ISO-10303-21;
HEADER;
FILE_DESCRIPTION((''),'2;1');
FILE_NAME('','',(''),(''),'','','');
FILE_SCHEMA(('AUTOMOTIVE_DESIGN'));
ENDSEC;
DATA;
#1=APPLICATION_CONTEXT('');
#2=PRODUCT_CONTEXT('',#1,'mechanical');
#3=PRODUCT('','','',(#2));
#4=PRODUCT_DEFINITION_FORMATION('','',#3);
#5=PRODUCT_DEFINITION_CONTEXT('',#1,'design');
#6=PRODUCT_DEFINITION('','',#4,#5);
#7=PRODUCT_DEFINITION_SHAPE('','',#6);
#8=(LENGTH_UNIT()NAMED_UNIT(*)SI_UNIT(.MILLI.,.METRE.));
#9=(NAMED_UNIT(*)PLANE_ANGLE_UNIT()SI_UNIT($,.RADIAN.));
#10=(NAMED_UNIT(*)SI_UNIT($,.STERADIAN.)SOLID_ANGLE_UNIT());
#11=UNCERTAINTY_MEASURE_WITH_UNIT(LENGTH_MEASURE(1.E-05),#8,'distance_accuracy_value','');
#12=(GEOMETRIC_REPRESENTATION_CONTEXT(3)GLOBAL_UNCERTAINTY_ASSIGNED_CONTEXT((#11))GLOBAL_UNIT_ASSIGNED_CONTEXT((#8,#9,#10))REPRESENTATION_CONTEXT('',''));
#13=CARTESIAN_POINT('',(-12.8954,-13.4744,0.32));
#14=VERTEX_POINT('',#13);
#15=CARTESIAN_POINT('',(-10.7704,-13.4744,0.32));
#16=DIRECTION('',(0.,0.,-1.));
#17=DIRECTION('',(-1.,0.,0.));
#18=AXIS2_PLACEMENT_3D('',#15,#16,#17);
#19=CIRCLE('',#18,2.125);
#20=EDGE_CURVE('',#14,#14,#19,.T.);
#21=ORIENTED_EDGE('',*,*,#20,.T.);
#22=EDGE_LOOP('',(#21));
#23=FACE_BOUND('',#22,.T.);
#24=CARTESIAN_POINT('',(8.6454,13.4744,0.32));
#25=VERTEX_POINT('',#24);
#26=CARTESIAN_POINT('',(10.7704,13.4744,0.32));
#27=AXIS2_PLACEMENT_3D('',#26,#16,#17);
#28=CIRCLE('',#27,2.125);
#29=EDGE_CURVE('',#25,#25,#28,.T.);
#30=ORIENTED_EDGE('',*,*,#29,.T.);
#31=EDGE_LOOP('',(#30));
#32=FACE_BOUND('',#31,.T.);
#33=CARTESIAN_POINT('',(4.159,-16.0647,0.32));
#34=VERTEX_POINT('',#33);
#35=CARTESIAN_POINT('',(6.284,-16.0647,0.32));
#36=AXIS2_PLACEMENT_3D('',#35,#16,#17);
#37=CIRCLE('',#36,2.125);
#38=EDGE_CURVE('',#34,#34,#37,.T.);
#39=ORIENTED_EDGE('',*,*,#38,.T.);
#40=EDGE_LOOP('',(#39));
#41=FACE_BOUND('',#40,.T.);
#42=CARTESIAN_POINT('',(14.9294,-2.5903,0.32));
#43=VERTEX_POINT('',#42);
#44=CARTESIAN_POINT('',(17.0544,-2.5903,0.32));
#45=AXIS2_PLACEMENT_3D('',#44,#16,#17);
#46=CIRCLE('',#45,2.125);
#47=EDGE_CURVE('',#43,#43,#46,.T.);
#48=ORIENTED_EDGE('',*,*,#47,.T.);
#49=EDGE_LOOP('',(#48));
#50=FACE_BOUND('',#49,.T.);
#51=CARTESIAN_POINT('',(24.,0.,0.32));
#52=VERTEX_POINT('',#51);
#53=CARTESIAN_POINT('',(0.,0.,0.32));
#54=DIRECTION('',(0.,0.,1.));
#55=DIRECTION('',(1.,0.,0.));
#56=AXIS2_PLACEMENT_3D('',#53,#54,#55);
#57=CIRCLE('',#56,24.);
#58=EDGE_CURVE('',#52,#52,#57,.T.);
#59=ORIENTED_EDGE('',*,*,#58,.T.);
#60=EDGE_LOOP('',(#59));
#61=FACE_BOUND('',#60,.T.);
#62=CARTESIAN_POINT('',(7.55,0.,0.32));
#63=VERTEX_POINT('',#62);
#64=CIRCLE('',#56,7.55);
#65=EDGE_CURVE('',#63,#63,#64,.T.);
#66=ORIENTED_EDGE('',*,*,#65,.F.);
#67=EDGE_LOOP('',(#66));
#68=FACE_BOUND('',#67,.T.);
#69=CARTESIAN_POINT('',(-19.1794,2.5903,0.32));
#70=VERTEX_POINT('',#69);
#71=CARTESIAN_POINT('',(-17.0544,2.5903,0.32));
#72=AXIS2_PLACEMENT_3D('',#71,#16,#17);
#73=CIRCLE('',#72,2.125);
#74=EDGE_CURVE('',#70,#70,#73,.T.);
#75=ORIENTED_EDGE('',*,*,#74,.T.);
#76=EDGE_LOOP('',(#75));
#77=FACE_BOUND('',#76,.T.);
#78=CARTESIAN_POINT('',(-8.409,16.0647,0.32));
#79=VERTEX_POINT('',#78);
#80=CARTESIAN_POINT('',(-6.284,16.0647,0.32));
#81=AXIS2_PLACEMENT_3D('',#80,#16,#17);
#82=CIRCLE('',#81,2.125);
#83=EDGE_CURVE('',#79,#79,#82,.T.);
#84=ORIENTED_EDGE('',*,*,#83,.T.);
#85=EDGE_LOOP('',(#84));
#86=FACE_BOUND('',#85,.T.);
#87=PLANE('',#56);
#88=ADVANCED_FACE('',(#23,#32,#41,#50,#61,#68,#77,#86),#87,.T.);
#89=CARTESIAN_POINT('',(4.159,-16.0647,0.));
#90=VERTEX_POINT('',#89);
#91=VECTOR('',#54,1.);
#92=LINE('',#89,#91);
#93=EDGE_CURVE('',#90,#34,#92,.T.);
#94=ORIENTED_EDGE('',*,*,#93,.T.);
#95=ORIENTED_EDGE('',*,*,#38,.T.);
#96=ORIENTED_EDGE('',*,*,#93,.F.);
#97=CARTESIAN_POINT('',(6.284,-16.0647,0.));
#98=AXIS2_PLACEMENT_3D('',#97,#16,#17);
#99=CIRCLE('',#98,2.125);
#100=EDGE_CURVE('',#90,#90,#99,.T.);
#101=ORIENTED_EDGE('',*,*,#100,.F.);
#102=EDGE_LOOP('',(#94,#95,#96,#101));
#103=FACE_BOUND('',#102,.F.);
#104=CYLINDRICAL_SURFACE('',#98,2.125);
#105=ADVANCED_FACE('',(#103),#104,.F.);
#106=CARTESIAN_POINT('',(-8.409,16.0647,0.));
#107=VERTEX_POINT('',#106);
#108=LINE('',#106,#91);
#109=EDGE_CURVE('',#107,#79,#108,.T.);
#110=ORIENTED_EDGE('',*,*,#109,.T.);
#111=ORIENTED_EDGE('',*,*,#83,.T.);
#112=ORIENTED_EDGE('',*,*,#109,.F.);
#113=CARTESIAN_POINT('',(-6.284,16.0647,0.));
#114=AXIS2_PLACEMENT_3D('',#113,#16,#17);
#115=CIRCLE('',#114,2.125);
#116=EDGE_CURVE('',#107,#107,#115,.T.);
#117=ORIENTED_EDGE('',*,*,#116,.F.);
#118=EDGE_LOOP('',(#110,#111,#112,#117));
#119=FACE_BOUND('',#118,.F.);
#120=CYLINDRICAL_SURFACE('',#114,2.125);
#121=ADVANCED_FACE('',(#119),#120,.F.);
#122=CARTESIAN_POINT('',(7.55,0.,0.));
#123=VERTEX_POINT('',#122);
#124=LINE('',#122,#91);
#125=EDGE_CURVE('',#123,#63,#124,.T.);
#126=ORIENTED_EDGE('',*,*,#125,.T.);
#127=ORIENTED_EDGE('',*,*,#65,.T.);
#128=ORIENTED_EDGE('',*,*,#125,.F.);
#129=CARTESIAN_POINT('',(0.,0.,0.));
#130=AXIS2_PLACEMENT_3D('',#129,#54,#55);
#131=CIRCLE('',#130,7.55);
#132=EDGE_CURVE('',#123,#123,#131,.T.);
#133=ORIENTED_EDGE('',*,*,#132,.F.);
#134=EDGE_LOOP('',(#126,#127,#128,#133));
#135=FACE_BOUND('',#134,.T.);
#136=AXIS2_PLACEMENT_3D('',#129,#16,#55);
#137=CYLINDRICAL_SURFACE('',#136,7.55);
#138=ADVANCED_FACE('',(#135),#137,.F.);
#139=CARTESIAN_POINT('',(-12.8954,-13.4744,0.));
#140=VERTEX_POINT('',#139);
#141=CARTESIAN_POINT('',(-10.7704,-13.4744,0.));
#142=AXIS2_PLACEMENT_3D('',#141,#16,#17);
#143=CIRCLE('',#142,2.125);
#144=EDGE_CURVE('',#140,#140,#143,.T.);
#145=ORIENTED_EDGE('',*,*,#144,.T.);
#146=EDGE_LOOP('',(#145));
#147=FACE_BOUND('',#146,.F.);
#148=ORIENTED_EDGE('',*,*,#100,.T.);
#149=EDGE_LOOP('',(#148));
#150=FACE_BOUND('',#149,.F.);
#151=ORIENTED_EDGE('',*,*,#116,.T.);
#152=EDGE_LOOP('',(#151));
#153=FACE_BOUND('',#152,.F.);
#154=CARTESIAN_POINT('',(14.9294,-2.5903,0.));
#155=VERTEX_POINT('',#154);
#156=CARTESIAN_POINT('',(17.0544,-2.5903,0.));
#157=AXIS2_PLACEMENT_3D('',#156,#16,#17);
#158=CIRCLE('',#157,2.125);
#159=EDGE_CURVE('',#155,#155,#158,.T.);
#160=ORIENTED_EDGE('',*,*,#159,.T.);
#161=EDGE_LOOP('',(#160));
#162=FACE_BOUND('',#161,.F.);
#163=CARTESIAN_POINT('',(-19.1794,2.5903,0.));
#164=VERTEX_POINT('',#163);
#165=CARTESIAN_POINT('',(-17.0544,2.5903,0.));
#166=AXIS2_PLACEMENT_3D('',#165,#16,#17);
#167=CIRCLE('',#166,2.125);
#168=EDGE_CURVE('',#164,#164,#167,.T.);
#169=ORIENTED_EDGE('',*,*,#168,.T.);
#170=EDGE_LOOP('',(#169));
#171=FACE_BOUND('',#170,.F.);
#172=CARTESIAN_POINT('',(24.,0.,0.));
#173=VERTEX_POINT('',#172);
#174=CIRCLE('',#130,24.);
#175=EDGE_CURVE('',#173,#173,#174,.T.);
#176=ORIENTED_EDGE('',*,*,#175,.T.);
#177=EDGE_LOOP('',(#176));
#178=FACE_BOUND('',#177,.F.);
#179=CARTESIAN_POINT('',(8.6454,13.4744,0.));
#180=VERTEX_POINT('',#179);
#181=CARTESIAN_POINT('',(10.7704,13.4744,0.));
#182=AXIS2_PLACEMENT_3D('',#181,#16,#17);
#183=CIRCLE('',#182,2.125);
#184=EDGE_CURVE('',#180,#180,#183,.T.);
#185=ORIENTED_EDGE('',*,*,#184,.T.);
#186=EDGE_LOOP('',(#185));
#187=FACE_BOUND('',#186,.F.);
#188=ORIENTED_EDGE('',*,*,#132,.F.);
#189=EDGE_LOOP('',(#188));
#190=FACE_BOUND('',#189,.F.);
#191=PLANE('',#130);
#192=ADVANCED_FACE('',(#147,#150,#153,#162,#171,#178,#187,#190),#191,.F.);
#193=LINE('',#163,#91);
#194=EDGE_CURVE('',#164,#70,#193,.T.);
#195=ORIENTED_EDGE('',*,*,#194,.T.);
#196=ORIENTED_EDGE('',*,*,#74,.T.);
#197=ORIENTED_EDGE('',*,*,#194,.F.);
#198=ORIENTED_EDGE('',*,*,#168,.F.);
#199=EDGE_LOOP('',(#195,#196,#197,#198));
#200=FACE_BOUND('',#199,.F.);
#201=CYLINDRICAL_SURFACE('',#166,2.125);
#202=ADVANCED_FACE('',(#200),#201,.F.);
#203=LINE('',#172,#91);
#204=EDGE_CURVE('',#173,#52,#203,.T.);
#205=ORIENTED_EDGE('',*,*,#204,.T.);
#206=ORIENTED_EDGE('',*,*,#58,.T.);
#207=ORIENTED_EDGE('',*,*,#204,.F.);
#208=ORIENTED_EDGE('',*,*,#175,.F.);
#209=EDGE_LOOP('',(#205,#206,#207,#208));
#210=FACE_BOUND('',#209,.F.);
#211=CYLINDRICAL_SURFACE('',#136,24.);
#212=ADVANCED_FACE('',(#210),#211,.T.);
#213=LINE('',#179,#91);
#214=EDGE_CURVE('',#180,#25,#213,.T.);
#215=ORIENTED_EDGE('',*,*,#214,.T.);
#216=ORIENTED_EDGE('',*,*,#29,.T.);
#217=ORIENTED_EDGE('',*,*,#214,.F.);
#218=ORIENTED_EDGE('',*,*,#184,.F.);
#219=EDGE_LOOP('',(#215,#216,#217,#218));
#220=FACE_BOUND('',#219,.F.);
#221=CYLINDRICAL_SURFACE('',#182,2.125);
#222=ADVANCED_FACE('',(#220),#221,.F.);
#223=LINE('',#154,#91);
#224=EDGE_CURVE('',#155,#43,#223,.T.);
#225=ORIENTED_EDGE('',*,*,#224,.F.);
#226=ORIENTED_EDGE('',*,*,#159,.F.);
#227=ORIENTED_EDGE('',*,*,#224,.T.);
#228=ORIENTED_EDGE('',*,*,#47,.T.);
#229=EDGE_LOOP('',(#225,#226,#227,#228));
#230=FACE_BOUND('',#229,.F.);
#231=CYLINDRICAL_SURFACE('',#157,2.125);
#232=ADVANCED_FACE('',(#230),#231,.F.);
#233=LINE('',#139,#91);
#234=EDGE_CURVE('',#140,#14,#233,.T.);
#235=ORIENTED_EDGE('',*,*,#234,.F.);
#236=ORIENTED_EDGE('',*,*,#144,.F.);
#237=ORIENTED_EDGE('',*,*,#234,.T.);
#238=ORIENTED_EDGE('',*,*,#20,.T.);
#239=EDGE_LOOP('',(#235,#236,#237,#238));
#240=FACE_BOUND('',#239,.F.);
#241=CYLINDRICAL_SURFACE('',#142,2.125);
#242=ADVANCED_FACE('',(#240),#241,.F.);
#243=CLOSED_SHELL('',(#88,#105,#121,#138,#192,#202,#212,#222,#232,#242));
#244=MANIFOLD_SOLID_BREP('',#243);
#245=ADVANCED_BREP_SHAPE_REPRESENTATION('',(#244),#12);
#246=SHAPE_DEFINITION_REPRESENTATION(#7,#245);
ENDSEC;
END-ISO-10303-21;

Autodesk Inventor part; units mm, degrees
ref_plane "YZ Plane" through (0, 0, 0) normal (1, 0, 0) x (0, 1, 0)
ref_plane "XZ Plane" through (0, 0, 0) normal (0, 1, 0) x (-1, 0, 0)
ref_plane "XY Plane" through (0, 0, 0) normal (0, 0, 1) x (1, 0, 0)
sketch "Sketch1" plane through (0, 0, 0) normal (0, 0, 1) x (1, 0, 0)
  circle A0 centre (0, 0) radius 24
  circle A1 centre (0, 0) radius 7.55
  dimension "d0" = 48
  dimension "d1" = 15.1
extrude "Extrusion1" add sketch "Sketch1" along normal blind 0.32
sketch "Sketch2" plane through (0, 0, 0) normal (0, 0, -1) x (-1, 0, 0)
  circle A0 centre (-16.5319, -11.256) radius 2.05 projected
  circle A1 centre (-19.649, 3.7306) radius 2.05 projected
  circle A2 centre (-17.0544, -2.5903) radius 1.65 projected
  circle A3 centre (-6.284, -16.0647) radius 1.65 projected
  circle A4 centre (-6.284, -16.0647) radius 1.65
  circle A5 centre (-6.284, -16.0647) radius 2.125
  circle A6 centre (10.7704, -13.4744) radius 2.125
  circle A7 centre (17.0544, 2.5903) radius 2.125
  circle A8 centre (6.284, 16.0647) radius 2.125
  circle A9 centre (-10.7704, 13.4744) radius 2.125
  circle A10 centre (-17.0544, -2.5903) radius 2.125
  point P0 (0, 0)
  dimension "d4" = 4.25
  dimension "d7" = 360
extrude "Extrusion2" cut sketch "Sketch2" against normal through all contours A2 | A3 | A5 | A6 | A7 | A8 | A9 | A10
properties part number "spool_spacer"
